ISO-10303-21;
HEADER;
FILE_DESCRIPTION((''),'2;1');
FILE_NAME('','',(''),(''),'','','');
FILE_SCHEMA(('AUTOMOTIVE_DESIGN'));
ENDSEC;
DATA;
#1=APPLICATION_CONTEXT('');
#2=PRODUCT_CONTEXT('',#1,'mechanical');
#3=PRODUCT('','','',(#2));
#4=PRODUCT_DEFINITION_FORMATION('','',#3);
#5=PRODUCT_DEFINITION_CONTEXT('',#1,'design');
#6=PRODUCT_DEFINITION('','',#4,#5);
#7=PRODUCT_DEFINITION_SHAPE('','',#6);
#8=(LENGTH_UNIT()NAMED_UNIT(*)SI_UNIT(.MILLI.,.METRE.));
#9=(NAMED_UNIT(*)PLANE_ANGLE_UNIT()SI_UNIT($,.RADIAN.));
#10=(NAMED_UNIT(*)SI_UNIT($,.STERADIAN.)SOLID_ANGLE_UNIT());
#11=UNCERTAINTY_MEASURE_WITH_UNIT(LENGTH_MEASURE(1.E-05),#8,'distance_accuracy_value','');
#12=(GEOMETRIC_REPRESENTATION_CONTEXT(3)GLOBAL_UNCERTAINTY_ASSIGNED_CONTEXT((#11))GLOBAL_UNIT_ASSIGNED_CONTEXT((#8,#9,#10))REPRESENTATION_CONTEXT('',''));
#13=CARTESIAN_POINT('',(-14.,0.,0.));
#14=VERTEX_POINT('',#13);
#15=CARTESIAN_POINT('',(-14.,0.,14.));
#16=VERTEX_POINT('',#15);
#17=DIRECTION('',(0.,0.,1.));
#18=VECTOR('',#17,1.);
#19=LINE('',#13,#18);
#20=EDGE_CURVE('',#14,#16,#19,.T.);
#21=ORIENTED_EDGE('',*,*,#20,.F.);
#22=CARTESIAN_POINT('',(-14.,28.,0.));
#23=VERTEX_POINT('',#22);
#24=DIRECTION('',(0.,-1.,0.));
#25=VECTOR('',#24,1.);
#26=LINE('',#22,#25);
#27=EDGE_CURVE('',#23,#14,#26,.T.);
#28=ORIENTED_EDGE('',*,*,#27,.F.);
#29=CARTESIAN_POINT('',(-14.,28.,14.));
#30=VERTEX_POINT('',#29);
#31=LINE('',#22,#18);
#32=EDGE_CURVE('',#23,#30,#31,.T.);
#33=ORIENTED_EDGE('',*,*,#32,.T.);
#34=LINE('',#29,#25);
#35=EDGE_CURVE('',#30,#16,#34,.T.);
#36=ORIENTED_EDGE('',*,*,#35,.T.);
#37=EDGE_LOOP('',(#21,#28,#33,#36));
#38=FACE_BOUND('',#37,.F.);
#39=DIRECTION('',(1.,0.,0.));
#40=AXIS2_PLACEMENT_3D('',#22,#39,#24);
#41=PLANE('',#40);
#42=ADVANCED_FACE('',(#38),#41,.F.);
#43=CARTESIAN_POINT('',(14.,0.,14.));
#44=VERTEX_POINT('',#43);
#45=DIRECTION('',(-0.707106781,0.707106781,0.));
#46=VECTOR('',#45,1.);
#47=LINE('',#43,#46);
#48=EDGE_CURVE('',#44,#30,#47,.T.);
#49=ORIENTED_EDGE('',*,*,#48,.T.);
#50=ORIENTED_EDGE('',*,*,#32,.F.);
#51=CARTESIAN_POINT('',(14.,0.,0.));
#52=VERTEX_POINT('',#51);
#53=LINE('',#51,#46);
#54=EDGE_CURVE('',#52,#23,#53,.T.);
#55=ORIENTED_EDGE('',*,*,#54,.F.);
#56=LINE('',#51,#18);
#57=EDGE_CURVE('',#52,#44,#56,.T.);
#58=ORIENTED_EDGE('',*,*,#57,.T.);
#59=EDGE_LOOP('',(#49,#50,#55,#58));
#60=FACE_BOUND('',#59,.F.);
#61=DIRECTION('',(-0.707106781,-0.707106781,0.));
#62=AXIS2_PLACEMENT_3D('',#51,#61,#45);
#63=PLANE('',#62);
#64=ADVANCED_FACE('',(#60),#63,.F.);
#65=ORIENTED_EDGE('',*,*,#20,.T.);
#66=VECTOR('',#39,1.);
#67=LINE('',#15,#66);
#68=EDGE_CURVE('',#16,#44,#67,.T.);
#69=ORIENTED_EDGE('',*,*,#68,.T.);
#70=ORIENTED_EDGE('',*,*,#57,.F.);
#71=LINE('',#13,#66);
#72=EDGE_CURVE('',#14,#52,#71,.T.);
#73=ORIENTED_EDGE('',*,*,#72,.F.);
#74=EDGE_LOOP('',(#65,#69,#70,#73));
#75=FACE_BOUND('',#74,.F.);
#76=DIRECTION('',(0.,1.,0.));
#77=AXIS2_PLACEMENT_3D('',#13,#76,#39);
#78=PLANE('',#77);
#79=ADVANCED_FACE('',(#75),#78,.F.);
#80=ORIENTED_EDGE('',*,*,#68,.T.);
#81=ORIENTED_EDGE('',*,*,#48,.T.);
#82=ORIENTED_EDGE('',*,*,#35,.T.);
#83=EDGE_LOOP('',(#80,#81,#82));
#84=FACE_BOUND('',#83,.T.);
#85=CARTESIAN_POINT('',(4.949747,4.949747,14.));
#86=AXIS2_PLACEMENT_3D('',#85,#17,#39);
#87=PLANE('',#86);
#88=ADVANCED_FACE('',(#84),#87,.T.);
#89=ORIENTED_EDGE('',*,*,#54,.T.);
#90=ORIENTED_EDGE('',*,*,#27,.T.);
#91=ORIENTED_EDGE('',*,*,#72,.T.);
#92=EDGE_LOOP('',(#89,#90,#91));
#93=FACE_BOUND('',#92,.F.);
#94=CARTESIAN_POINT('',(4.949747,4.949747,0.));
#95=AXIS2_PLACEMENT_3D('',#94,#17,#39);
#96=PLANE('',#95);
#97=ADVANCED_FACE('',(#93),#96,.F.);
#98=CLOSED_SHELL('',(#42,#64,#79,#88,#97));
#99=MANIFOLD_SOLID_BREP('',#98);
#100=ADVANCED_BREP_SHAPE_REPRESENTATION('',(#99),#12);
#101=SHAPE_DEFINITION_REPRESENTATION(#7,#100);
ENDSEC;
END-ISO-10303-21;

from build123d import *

# Parameters (mm, degrees)
F1_DEPTH = 14


with BuildPart() as f1:
    # F0 (on Top) → F1 (new body)
    with BuildSketch(Plane.XY):
        Polygon((0, 14), (0, 0), (14, 0), align=None)
        Polygon((-14, 0), (0, 0), (0, 14), (-14, 28), align=None)
    extrude(amount=F1_DEPTH)


solid = f1.part
